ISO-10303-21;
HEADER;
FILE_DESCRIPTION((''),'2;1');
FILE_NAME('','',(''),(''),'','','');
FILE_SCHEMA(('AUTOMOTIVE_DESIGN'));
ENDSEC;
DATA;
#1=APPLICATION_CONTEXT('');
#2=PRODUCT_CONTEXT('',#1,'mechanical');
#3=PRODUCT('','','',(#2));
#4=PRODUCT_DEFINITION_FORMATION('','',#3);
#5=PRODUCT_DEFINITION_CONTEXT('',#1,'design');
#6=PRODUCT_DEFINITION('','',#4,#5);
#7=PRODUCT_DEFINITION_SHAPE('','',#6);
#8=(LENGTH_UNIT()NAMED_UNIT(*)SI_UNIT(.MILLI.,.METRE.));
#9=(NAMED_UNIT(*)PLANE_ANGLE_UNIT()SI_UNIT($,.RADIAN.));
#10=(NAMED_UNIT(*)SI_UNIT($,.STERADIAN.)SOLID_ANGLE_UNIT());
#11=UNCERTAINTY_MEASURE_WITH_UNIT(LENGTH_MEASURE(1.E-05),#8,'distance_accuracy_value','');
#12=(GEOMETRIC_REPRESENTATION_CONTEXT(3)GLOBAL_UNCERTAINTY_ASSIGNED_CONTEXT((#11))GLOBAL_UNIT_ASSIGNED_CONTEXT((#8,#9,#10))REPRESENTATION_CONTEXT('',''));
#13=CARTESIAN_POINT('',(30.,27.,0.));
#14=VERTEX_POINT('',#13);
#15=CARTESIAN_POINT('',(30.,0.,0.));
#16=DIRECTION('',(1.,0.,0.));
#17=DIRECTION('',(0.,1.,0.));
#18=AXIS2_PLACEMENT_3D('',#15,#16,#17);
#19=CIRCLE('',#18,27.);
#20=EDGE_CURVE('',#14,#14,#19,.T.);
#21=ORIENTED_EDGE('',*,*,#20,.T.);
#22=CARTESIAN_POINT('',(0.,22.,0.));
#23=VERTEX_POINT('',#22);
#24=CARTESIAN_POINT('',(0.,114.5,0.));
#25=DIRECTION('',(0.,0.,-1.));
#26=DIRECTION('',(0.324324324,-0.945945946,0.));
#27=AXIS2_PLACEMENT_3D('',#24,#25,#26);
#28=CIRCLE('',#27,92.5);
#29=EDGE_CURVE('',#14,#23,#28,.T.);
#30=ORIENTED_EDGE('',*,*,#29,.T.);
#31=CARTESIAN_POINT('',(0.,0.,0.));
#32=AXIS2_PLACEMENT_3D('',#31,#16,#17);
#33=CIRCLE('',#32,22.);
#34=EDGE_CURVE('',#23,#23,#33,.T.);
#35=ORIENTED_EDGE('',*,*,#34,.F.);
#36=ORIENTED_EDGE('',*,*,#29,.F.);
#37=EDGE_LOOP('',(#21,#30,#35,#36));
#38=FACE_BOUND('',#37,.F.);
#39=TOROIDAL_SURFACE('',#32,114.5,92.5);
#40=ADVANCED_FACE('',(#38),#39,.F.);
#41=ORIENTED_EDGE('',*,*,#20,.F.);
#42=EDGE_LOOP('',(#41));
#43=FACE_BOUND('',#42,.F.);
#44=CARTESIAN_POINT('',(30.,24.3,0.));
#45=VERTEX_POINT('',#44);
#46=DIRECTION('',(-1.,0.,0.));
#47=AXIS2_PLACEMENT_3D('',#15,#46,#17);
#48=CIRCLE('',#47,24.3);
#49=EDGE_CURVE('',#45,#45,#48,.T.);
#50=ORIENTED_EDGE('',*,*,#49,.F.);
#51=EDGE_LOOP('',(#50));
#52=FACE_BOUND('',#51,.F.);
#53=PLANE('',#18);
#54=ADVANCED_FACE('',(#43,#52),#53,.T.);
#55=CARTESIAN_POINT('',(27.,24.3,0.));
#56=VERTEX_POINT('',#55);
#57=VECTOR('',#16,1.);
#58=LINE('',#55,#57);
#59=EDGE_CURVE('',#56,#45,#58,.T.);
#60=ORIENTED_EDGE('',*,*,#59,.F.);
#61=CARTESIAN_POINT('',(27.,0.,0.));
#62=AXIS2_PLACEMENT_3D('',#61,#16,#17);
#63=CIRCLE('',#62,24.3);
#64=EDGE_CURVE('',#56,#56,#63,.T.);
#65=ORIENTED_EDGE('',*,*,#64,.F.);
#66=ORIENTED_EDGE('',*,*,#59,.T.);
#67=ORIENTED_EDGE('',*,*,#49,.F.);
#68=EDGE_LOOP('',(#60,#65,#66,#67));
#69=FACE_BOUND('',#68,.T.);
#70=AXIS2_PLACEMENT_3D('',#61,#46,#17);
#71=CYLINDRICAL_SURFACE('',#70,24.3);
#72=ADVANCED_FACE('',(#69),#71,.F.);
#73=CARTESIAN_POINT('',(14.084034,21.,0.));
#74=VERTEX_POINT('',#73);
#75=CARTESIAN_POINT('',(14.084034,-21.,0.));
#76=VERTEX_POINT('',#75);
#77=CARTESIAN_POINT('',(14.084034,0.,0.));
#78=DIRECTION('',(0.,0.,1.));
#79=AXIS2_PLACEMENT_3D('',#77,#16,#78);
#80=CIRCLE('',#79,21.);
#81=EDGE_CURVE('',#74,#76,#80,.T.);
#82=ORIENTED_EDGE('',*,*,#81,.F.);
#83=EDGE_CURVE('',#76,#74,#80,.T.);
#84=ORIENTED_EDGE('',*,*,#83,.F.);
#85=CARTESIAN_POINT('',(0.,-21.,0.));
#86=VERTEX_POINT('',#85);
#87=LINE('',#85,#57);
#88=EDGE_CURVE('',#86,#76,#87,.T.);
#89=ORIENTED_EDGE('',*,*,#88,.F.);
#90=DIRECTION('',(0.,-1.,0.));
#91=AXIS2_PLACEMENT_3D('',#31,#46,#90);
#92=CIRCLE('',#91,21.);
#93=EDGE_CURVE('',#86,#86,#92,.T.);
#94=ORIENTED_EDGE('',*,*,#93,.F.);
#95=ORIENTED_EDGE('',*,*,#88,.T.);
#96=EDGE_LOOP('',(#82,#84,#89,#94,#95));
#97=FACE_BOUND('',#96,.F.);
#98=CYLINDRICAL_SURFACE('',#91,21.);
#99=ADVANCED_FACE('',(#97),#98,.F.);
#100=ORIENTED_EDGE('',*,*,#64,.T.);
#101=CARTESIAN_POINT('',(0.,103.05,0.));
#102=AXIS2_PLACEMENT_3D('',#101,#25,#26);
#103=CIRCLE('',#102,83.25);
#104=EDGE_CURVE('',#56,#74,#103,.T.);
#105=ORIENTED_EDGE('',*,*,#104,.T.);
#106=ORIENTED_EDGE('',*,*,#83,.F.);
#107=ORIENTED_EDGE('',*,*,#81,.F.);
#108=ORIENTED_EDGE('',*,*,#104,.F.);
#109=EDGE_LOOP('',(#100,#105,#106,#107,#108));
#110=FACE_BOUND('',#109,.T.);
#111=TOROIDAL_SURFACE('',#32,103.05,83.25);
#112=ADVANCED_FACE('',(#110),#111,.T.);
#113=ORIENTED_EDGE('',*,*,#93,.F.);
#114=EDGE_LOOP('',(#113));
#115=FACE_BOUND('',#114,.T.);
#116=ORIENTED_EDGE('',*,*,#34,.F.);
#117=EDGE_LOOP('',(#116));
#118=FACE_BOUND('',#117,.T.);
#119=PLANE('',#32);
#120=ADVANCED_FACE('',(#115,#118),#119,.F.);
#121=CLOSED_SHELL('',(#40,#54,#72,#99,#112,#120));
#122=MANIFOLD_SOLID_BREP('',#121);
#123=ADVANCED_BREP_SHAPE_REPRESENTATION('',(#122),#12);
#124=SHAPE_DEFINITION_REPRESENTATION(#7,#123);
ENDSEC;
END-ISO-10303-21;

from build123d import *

# Parameters (mm, degrees)
F0_R     = 21
F1_DEPTH = 30
F2_W     = 30
F2_H     = 22
F4_R     = 21
F5_DEPTH = 30
F6_SCALE = 0.9
F8_DEPTH = 25


with BuildPart() as f1:
    # F0 (on Right) → F1 (new body)
    with BuildSketch(Plane.YZ):
        Circle(F0_R)
    extrude(amount=F1_DEPTH)

    # F2 (on Top) → F3 (revolve)
    with BuildSketch(Plane.XY):
        with BuildLine():
            ThreePointArc((30, 27), (15.2069063257, 23.2585620455), (0, 22))
            Line((0, 22), (30, 22))
            Line((30, 22), (30, 27))
        make_face()
        with Locations((15, 11)):
            Rectangle(F2_W, F2_H)
    revolve(axis=Axis((15, 0, 0), (1, 0, 0)))

    # F4 (on face) → F5 (cut)
    with BuildSketch(Plane(origin=(0, 0, 0), x_dir=(0, -1, 0), z_dir=(-1, 0, 0))):
        Circle(F4_R)
    extrude(amount=-F5_DEPTH, mode=Mode.SUBTRACT)


with BuildPart() as f6_1:
    # F6: copy of F1
    add(f1.part.scale(F6_SCALE))


with BuildPart() as f1_1:
    add(f1.part)

    # F7: cut F6_1
    add(f6_1.part, mode=Mode.SUBTRACT)

    # F8 (cut): a face of the model
    f8_faces = [f1_1.faces().sort_by_distance(p)[0] for p in [
        (27, -23.6126922087, 0),
    ]]
    extrude(f8_faces, amount=-F8_DEPTH, mode=Mode.SUBTRACT)


solid = f1_1.part
